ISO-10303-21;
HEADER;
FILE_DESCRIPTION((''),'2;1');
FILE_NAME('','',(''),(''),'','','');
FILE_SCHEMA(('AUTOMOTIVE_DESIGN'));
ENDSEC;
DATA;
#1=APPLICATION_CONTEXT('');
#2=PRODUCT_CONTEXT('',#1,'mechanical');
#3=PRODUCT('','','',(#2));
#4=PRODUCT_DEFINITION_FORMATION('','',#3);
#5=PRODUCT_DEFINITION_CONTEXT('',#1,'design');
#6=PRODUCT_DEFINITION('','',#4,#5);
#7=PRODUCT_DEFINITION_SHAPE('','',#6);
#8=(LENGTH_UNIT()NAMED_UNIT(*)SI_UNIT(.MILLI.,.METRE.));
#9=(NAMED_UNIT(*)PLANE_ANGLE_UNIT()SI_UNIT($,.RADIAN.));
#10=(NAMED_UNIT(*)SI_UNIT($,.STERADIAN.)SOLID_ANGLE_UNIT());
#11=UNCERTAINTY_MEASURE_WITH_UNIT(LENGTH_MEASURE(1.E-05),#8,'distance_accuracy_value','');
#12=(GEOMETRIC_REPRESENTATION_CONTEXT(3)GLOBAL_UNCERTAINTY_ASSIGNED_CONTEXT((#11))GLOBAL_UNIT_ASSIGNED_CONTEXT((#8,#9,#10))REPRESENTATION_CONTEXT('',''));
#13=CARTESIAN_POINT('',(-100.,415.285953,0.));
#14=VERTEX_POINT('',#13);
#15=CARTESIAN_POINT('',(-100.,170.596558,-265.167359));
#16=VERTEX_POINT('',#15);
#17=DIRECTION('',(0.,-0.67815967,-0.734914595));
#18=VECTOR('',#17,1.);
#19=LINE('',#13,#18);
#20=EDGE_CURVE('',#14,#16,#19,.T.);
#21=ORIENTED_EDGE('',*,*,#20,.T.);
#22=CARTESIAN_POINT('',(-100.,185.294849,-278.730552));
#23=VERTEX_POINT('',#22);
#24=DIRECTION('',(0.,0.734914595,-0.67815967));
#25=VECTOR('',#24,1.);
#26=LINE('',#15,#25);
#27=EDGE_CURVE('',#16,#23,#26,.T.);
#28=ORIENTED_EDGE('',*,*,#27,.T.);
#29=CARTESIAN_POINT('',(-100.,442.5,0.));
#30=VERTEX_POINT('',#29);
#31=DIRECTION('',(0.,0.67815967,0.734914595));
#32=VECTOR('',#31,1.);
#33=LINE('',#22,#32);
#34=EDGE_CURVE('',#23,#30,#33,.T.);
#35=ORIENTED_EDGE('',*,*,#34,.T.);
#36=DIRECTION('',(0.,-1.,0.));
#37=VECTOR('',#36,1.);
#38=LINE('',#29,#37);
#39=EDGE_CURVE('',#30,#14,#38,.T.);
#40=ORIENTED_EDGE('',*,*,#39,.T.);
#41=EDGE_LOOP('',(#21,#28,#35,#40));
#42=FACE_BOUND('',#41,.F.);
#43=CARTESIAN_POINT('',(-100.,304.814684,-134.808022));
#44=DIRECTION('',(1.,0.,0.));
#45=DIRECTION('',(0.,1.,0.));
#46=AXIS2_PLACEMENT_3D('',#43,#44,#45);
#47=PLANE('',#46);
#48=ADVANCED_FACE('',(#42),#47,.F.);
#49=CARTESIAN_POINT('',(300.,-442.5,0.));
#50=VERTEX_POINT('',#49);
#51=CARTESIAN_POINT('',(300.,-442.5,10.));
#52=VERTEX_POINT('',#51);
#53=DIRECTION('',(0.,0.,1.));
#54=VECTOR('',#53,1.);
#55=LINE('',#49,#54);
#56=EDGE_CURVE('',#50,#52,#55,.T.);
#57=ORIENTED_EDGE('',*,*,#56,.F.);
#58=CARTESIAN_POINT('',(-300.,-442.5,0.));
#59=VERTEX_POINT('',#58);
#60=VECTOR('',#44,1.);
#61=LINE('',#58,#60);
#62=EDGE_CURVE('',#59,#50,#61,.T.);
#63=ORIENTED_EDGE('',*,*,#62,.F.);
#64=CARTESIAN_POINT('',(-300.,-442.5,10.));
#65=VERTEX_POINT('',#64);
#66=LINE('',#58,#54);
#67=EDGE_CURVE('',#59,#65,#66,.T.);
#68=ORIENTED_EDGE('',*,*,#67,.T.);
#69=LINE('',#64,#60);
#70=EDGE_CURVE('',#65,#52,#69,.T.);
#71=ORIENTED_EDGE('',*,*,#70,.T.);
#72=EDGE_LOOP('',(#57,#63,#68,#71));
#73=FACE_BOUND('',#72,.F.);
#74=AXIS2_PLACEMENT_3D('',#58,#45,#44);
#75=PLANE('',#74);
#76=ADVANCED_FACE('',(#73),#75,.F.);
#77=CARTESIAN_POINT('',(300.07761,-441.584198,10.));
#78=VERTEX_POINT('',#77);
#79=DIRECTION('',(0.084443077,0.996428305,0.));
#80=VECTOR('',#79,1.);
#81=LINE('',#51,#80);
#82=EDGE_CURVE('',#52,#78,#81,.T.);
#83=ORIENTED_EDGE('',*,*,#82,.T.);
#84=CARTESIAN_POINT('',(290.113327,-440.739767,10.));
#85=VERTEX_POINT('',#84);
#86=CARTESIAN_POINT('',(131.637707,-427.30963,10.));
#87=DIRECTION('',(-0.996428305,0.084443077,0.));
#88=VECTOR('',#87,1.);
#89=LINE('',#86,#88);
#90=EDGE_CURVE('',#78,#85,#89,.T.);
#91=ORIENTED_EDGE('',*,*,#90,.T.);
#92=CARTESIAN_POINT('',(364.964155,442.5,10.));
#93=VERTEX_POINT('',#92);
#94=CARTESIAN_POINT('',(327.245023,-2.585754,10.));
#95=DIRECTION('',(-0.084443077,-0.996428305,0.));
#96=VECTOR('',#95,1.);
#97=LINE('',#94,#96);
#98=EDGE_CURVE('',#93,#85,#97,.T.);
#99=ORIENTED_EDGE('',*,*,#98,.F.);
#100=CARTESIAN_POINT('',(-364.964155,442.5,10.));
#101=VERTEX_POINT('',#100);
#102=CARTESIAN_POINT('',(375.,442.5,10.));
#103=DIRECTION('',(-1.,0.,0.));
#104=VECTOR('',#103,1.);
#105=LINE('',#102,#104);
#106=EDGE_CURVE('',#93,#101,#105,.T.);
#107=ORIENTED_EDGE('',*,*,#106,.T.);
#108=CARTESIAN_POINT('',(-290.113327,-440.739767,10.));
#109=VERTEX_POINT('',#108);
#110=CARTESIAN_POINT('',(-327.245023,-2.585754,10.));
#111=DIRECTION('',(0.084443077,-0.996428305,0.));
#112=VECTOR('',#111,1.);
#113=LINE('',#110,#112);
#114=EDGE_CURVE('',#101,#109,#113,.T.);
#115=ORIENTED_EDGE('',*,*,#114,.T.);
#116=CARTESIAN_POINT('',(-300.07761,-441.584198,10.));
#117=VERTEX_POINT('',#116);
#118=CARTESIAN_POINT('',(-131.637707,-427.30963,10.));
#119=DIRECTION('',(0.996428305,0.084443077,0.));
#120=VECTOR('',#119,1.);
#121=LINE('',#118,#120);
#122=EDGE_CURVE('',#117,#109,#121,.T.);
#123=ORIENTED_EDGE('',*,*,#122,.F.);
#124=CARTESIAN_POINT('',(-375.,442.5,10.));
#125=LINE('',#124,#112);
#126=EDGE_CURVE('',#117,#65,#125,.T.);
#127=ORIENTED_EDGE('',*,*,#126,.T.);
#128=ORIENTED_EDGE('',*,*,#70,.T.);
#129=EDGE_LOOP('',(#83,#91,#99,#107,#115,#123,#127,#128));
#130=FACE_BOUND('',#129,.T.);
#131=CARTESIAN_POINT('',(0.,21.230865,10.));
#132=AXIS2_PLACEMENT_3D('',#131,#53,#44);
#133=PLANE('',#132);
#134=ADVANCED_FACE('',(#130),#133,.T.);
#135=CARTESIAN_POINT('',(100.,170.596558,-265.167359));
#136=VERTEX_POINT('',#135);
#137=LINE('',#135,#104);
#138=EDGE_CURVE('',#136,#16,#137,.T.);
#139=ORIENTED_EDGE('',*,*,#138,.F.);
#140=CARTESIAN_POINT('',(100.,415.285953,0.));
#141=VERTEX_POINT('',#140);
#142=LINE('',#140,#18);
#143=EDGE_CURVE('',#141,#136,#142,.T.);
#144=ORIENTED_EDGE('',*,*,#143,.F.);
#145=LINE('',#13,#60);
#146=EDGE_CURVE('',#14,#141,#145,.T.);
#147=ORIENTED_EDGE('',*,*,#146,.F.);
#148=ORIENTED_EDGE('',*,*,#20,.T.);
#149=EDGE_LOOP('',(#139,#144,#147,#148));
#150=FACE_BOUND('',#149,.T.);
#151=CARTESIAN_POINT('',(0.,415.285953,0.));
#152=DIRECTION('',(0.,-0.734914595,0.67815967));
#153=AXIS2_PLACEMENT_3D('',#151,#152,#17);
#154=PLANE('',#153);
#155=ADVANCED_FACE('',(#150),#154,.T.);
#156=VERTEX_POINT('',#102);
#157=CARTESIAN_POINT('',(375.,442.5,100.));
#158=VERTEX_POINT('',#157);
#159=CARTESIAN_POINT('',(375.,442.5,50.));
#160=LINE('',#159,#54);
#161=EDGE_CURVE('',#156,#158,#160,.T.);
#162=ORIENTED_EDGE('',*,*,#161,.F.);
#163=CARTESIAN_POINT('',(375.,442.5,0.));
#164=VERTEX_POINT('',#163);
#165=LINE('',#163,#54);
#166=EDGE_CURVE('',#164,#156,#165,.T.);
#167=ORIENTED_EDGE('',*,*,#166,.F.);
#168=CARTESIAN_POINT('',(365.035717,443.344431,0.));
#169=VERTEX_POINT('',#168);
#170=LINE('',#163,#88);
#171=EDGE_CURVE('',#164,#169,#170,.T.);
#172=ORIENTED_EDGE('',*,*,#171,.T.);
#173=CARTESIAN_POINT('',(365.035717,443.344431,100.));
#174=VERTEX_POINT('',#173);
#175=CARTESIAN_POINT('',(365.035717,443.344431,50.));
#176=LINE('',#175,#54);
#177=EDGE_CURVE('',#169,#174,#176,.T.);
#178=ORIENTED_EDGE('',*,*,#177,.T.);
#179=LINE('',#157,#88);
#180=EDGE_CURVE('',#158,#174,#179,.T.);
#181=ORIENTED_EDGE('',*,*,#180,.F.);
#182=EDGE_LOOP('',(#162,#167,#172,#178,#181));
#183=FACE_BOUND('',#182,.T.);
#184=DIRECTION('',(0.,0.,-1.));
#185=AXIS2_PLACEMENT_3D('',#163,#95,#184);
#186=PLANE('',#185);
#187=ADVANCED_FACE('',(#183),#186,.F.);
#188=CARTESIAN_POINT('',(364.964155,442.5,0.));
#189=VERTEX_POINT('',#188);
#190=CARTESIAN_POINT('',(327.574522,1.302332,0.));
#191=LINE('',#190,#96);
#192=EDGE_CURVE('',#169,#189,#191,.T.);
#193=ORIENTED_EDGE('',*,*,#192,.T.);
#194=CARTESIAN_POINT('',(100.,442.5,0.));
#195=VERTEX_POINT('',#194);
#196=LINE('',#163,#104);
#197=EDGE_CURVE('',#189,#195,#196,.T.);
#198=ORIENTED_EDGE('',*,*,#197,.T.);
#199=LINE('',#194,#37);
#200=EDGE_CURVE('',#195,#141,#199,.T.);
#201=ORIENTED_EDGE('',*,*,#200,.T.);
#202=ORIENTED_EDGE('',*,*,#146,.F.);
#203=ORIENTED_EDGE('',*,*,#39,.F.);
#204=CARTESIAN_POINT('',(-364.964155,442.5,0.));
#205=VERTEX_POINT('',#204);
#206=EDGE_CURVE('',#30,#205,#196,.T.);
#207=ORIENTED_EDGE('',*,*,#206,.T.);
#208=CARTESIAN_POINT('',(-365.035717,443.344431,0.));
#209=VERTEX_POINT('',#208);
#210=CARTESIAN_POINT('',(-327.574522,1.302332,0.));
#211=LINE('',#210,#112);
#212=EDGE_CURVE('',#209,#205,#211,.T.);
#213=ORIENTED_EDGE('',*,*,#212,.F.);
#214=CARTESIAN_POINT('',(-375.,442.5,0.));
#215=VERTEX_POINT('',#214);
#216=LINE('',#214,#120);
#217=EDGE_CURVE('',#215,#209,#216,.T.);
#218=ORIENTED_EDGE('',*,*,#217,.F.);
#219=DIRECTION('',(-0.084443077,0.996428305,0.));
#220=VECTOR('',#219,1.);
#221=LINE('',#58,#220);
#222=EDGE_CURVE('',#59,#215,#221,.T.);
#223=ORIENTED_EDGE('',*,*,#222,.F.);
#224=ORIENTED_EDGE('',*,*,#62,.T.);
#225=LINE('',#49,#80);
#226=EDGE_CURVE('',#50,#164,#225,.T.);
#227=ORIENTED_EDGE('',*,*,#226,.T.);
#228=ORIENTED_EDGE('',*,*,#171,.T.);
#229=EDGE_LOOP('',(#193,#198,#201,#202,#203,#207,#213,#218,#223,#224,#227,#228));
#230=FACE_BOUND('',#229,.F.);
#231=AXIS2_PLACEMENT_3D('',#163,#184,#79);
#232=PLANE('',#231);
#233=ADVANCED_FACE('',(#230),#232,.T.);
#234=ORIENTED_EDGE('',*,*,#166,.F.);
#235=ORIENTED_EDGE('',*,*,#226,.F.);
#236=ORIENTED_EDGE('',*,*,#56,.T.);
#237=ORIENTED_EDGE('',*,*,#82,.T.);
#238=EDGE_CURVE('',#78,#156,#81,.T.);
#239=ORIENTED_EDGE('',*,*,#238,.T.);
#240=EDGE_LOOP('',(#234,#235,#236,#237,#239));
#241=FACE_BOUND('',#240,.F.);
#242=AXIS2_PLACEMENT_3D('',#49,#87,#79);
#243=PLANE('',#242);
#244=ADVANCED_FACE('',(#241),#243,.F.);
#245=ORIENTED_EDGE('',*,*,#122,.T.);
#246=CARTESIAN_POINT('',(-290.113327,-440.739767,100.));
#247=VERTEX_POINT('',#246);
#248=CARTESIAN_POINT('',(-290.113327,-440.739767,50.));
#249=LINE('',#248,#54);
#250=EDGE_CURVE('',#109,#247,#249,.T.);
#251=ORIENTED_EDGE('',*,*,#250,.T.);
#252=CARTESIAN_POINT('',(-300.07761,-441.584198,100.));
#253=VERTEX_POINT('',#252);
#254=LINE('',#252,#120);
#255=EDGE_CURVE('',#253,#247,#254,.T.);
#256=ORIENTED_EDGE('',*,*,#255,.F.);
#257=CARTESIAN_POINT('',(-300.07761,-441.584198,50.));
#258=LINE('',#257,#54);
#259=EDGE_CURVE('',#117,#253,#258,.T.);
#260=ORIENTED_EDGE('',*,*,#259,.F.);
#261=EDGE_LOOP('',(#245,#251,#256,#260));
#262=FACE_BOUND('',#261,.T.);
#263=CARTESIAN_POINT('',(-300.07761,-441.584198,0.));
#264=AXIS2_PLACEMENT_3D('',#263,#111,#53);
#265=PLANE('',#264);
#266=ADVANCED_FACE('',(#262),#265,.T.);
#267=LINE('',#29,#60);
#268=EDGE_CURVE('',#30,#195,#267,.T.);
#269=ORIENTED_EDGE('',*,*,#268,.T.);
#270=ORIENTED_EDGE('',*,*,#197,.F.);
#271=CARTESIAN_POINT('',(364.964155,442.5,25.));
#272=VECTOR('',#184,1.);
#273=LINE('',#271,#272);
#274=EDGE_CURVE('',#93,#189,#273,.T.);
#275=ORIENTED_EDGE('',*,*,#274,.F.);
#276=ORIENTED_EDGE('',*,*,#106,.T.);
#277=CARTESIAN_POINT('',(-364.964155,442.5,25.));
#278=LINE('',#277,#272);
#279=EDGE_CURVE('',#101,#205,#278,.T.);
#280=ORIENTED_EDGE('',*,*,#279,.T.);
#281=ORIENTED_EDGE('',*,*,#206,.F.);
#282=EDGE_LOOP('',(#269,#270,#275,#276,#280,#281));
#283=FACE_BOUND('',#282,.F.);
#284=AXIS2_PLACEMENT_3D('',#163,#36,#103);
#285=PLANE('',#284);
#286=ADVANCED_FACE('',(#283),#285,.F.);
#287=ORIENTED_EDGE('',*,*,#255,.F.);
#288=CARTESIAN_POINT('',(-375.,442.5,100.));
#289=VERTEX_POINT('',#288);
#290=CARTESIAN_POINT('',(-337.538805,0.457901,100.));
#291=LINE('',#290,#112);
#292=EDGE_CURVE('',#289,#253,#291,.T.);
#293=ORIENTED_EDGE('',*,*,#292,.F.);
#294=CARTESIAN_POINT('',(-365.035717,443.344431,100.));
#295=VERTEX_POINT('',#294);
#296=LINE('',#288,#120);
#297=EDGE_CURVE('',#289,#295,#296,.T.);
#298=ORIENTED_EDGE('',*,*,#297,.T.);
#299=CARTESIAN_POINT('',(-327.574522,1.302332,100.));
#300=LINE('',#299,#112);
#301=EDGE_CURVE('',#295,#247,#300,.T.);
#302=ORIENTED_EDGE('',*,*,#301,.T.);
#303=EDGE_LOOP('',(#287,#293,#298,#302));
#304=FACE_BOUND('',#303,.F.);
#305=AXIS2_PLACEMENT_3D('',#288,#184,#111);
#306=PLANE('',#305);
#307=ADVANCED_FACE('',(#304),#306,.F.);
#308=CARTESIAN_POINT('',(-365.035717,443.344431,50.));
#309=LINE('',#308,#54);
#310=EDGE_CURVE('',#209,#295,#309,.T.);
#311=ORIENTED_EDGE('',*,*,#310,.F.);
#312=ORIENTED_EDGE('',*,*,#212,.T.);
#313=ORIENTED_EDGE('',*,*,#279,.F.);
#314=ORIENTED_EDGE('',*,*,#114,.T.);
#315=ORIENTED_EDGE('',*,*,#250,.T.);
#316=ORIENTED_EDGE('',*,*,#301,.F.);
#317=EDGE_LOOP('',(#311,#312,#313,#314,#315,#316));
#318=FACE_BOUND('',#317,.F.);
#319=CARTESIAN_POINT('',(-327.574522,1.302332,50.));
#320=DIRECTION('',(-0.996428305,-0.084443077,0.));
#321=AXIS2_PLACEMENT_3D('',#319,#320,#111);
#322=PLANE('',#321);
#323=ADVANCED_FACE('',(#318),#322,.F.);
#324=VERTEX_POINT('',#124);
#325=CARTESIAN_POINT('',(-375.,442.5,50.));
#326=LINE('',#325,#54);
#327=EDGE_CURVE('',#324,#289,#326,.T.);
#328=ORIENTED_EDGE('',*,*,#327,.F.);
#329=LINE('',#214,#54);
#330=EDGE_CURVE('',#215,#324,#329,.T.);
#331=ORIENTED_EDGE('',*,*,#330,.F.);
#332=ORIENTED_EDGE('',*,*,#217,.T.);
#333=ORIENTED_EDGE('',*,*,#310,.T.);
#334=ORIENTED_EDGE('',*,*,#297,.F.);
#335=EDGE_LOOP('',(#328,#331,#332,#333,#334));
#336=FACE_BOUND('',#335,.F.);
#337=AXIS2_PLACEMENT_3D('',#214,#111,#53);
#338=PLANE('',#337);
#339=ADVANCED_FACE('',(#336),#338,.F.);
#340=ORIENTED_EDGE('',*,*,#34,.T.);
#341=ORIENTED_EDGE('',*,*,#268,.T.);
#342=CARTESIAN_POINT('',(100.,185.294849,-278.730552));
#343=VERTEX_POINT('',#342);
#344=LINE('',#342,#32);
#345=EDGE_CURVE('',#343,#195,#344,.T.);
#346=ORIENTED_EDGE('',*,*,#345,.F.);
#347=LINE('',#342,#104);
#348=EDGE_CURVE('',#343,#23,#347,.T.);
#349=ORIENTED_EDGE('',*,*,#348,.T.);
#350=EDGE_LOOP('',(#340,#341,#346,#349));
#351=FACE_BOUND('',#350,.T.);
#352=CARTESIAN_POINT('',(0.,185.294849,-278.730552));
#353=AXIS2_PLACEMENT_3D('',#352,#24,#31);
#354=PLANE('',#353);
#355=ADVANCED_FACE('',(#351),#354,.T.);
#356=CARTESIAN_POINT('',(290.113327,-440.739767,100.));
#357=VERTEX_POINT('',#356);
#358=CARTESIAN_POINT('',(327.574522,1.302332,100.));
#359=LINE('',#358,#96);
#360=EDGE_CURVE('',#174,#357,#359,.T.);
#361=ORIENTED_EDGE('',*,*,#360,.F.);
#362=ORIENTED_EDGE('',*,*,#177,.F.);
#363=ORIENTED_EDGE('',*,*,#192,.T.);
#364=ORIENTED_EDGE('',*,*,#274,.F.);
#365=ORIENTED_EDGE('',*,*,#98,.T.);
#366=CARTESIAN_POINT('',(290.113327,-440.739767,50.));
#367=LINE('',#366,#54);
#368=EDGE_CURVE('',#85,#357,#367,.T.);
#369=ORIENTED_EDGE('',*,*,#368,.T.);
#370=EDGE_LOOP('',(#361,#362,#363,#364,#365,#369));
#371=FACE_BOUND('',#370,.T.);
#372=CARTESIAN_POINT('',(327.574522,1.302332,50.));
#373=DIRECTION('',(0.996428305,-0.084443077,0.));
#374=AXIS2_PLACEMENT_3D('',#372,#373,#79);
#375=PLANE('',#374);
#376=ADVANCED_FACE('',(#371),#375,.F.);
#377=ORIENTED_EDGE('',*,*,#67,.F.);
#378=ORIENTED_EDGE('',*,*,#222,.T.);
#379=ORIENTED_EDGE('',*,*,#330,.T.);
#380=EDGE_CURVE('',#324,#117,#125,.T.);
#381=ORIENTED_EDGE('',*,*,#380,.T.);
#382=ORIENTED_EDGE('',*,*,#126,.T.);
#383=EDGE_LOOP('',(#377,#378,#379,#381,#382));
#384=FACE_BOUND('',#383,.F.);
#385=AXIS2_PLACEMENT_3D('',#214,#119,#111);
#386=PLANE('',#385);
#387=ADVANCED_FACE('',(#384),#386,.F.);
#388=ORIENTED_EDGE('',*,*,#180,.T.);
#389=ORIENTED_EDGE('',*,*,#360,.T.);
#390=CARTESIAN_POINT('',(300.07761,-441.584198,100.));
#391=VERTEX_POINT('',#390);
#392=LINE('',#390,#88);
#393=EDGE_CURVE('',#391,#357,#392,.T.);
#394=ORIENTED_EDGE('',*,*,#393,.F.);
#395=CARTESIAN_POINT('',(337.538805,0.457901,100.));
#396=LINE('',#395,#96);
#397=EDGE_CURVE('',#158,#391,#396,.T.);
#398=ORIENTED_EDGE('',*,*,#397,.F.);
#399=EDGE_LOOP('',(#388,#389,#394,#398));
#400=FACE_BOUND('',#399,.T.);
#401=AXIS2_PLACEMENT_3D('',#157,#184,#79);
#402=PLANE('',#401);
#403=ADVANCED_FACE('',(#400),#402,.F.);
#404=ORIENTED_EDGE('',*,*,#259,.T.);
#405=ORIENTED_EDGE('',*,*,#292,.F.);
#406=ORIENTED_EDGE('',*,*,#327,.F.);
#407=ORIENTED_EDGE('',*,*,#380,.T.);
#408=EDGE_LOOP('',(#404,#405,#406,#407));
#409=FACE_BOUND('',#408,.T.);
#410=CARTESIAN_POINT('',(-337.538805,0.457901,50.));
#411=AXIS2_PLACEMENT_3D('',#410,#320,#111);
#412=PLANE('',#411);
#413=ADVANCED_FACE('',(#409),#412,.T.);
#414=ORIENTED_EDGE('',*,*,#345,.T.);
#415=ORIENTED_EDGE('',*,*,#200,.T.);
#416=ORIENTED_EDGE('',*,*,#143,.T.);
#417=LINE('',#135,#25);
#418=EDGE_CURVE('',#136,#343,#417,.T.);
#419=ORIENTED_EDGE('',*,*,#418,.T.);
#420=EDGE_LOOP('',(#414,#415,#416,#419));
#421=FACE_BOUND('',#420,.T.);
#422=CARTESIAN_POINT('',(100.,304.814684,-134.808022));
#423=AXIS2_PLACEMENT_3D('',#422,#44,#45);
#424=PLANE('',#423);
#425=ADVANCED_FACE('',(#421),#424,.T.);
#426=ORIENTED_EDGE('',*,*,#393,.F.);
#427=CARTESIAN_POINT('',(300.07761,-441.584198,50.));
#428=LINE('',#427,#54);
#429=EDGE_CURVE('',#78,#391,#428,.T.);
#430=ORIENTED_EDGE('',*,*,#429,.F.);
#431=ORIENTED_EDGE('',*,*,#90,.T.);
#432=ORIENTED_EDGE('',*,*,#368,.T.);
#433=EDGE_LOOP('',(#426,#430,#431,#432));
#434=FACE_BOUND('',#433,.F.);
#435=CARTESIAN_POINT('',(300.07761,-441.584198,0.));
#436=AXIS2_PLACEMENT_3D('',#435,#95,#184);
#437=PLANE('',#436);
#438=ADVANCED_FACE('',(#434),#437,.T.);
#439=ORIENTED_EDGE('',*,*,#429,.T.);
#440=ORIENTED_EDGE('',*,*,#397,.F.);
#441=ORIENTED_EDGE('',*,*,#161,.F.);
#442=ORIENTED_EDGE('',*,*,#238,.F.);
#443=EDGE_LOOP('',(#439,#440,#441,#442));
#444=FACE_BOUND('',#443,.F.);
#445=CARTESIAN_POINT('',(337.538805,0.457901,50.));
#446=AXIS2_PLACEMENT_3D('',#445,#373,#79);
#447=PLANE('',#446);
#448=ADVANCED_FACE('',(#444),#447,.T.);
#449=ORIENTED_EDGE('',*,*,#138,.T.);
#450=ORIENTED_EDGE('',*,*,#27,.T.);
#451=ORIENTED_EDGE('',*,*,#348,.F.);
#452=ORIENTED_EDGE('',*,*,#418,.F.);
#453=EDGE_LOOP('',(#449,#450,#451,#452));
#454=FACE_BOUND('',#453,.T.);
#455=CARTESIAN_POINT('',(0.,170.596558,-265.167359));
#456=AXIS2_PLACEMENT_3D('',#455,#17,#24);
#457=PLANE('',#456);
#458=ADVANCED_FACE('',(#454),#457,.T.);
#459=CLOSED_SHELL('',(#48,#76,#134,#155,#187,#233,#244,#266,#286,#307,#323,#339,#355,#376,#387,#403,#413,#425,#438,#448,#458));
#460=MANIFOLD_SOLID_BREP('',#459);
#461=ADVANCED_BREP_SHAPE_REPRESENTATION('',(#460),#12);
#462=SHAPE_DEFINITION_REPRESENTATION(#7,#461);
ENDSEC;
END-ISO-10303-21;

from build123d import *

# Parameters (mm, degrees)
F1_DEPTH = 10
F2_W     = 887.253195621
F2_H     = 100
F3_DEPTH = 10
F6_DEPTH = 100


with BuildPart() as f1:
    # F0 (on Top) → F1 (new body)
    with BuildSketch(Plane.XY):
        Polygon((-300, -442.5), (300, -442.5), (375, 442.5), (300, 442.5), (-300, 442.5), (-375, 442.5), align=None)
    extrude(amount=F1_DEPTH)

    # F2 (on face) → F3 (join)
    with BuildSketch(Plane(origin=(-335.0934112949, -28.3977467199, 0), x_dir=(0.0844430767, -0.9964283049, 0), z_dir=(-0.9964283049, -0.0844430767, 0))):
        with Locations((-28.9590808637, 50)):
            Rectangle(F2_W, F2_H)
    extrude(amount=-F3_DEPTH)

    # F4: F1 across plane


with BuildPart() as f1_1:
    add(f1.part)
    add(f1.part.mirror(Plane.YZ))

    # F5 (on Right) → F6 (join, symmetric)
    with BuildSketch(Plane.YZ):
        Polygon((185.2948494855, -278.7305519032), (442.5, 0), (415.2859534537, 0), (170.5965575825, -265.1673585059), align=None)
    extrude(amount=F6_DEPTH, both=True)


solid = f1_1.part
